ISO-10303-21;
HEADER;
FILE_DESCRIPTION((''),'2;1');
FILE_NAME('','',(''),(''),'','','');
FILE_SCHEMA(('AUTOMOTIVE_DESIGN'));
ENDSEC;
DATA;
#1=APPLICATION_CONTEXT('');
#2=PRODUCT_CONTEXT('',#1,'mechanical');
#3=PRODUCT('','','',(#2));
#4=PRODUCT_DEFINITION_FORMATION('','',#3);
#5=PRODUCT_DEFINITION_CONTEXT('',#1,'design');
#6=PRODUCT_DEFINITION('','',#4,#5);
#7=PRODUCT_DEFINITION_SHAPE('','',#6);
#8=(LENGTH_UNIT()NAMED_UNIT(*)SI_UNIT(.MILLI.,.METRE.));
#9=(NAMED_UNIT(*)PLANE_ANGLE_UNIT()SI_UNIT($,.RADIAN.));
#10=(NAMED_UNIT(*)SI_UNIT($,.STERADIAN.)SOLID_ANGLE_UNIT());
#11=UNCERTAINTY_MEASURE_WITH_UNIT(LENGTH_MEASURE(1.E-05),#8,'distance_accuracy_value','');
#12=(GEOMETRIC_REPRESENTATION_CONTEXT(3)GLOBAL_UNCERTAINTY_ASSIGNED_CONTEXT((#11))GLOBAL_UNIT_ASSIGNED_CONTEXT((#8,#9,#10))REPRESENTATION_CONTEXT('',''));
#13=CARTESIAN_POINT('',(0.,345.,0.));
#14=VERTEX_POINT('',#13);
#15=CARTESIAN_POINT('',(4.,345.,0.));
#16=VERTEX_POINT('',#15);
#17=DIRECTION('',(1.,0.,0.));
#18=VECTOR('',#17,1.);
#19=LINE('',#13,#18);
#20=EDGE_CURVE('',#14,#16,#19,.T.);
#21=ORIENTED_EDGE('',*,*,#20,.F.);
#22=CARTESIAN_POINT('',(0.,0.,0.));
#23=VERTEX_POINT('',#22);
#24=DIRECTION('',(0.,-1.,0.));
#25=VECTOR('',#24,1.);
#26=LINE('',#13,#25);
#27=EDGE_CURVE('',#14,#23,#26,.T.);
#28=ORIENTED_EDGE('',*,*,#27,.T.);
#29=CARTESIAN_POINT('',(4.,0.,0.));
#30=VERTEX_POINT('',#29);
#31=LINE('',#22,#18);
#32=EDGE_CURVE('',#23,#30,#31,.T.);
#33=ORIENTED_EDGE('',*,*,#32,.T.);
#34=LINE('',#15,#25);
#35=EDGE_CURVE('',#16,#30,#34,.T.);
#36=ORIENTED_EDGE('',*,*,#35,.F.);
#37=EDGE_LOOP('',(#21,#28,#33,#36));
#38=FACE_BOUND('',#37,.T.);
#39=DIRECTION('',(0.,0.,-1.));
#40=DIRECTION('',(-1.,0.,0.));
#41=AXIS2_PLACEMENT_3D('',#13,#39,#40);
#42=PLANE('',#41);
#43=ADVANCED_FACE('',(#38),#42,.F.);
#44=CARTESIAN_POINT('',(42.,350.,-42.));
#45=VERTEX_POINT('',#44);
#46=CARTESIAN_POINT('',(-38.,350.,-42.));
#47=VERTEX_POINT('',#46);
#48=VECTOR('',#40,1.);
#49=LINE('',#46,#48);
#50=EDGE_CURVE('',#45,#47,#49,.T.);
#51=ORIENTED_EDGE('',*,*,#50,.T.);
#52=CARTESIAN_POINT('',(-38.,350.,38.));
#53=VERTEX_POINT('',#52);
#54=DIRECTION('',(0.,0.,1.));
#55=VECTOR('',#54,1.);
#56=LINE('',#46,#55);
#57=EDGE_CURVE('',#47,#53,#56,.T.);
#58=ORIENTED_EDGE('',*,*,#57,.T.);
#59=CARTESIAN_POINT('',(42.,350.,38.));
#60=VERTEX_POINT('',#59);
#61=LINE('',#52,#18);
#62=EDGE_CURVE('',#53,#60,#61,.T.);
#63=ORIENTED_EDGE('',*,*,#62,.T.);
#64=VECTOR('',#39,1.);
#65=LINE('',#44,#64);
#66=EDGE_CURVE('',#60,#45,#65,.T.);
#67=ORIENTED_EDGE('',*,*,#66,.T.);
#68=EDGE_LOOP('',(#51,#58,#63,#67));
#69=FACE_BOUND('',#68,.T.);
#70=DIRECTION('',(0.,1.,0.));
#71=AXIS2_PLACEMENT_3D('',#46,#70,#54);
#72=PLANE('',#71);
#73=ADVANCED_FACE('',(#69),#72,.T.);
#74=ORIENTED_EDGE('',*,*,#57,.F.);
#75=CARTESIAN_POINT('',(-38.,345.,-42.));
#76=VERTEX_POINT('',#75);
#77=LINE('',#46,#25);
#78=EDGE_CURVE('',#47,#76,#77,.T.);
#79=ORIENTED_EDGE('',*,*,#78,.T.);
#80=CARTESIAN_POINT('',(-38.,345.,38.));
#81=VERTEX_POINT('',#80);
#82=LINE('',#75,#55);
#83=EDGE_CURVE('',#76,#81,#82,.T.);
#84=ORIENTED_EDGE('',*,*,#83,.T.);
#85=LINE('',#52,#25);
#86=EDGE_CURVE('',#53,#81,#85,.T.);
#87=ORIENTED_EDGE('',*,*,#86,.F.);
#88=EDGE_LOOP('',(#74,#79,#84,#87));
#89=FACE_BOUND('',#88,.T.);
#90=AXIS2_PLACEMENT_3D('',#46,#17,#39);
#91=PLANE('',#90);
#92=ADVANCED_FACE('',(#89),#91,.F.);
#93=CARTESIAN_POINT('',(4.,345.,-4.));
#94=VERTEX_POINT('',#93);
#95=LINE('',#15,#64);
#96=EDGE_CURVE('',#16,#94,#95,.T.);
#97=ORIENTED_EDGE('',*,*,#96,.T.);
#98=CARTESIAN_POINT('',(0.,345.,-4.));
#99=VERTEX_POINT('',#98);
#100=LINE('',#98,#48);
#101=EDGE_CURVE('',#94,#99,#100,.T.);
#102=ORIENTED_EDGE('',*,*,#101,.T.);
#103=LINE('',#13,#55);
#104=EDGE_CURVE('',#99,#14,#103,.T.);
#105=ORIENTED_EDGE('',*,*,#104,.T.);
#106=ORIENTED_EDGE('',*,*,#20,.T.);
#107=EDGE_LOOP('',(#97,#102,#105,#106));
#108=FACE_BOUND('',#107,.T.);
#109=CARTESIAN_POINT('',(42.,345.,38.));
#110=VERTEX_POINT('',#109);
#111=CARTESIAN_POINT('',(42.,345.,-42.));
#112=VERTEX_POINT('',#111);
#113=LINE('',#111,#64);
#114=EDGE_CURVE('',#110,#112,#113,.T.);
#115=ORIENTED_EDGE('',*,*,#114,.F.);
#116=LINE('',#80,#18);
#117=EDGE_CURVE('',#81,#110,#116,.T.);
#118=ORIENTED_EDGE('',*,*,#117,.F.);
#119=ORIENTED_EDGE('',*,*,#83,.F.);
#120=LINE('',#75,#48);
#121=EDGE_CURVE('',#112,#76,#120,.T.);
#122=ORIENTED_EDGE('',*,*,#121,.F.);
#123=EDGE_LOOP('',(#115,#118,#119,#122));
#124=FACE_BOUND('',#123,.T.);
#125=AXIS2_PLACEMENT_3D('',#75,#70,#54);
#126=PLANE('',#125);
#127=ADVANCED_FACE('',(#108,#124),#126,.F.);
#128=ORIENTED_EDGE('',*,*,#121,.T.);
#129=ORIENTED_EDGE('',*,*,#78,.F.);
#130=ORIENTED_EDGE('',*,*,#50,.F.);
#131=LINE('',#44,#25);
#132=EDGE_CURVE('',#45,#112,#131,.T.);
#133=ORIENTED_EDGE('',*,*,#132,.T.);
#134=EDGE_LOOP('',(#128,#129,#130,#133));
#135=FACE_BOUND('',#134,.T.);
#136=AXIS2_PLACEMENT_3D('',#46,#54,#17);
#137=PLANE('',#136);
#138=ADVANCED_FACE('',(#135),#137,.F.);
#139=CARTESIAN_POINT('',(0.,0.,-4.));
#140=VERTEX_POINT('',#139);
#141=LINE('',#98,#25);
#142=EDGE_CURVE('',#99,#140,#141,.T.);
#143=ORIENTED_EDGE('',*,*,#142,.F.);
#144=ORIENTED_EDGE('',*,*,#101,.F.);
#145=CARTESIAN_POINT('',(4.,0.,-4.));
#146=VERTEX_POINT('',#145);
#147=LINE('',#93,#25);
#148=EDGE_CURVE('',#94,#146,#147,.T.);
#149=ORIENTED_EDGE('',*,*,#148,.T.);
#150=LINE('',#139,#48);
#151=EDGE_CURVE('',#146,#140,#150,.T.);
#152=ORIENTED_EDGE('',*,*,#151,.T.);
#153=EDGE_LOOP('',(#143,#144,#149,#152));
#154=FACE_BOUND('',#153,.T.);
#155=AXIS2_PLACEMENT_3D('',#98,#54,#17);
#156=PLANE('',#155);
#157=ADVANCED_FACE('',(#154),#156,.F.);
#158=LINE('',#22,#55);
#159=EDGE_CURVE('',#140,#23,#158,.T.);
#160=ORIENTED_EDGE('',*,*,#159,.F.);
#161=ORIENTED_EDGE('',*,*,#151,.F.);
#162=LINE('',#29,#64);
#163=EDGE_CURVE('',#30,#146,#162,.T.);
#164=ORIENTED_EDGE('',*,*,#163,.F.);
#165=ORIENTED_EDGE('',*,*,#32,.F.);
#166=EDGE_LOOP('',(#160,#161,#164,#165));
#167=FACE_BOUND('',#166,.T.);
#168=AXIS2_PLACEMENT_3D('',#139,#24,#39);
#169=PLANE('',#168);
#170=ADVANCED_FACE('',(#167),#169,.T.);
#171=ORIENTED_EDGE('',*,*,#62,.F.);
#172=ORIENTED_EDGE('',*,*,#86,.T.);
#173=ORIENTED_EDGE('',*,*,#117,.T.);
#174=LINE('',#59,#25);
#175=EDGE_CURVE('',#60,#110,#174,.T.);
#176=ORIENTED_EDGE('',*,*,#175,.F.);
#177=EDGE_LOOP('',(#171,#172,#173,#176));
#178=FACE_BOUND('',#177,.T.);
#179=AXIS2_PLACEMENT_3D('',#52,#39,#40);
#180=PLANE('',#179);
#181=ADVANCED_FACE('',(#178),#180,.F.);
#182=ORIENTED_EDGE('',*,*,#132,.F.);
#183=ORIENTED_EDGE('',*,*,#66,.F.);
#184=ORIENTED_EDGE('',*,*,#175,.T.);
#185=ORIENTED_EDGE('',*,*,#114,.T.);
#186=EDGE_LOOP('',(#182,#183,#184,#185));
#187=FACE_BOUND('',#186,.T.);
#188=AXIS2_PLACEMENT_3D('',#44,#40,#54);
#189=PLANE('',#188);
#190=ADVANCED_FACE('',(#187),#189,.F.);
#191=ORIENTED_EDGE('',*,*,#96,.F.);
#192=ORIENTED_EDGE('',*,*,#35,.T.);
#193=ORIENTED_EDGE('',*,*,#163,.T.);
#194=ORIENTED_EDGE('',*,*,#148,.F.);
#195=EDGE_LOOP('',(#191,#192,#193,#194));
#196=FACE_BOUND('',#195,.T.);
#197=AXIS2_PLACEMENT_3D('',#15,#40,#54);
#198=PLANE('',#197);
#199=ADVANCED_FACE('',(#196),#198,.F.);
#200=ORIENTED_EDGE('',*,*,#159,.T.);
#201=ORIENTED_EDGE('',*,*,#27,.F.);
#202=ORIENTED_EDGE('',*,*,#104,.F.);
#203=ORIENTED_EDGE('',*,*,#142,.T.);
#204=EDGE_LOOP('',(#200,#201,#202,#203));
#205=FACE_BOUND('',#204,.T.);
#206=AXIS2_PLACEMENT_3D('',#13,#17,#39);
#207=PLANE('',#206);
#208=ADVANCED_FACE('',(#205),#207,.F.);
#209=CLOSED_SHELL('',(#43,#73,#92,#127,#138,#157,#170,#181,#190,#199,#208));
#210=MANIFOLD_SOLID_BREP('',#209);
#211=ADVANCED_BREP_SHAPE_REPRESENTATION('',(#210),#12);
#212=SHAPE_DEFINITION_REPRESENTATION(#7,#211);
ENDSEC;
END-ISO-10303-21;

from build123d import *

# Parameters (mm, degrees)
ESQUISSE1_W      = 4
ESQUISSE1_H      = 4
EXTRUSION1_DEPTH = 345
ESQUISSE2_W      = 80
ESQUISSE2_H      = 80
EXTRUSION2_DEPTH = 5


with BuildPart() as part:
    # Esquisse1 → Extrusion1 (new body)
    with BuildSketch(Plane(origin=(0, 0, 0), x_dir=(1, 0, 0), z_dir=(0, 1, 0))):
        with Locations((2, 2)):
            Rectangle(ESQUISSE1_W, ESQUISSE1_H)
    extrude(amount=EXTRUSION1_DEPTH)

    # Esquisse2 → Extrusion2 (add)
    with BuildSketch(Plane(origin=(0, 345, 0), x_dir=(1, 0, 0), z_dir=(0, 1, 0))):
        with Locations((2, 2)):
            Rectangle(ESQUISSE2_W, ESQUISSE2_H)
    extrude(amount=EXTRUSION2_DEPTH)


solid = part.part
